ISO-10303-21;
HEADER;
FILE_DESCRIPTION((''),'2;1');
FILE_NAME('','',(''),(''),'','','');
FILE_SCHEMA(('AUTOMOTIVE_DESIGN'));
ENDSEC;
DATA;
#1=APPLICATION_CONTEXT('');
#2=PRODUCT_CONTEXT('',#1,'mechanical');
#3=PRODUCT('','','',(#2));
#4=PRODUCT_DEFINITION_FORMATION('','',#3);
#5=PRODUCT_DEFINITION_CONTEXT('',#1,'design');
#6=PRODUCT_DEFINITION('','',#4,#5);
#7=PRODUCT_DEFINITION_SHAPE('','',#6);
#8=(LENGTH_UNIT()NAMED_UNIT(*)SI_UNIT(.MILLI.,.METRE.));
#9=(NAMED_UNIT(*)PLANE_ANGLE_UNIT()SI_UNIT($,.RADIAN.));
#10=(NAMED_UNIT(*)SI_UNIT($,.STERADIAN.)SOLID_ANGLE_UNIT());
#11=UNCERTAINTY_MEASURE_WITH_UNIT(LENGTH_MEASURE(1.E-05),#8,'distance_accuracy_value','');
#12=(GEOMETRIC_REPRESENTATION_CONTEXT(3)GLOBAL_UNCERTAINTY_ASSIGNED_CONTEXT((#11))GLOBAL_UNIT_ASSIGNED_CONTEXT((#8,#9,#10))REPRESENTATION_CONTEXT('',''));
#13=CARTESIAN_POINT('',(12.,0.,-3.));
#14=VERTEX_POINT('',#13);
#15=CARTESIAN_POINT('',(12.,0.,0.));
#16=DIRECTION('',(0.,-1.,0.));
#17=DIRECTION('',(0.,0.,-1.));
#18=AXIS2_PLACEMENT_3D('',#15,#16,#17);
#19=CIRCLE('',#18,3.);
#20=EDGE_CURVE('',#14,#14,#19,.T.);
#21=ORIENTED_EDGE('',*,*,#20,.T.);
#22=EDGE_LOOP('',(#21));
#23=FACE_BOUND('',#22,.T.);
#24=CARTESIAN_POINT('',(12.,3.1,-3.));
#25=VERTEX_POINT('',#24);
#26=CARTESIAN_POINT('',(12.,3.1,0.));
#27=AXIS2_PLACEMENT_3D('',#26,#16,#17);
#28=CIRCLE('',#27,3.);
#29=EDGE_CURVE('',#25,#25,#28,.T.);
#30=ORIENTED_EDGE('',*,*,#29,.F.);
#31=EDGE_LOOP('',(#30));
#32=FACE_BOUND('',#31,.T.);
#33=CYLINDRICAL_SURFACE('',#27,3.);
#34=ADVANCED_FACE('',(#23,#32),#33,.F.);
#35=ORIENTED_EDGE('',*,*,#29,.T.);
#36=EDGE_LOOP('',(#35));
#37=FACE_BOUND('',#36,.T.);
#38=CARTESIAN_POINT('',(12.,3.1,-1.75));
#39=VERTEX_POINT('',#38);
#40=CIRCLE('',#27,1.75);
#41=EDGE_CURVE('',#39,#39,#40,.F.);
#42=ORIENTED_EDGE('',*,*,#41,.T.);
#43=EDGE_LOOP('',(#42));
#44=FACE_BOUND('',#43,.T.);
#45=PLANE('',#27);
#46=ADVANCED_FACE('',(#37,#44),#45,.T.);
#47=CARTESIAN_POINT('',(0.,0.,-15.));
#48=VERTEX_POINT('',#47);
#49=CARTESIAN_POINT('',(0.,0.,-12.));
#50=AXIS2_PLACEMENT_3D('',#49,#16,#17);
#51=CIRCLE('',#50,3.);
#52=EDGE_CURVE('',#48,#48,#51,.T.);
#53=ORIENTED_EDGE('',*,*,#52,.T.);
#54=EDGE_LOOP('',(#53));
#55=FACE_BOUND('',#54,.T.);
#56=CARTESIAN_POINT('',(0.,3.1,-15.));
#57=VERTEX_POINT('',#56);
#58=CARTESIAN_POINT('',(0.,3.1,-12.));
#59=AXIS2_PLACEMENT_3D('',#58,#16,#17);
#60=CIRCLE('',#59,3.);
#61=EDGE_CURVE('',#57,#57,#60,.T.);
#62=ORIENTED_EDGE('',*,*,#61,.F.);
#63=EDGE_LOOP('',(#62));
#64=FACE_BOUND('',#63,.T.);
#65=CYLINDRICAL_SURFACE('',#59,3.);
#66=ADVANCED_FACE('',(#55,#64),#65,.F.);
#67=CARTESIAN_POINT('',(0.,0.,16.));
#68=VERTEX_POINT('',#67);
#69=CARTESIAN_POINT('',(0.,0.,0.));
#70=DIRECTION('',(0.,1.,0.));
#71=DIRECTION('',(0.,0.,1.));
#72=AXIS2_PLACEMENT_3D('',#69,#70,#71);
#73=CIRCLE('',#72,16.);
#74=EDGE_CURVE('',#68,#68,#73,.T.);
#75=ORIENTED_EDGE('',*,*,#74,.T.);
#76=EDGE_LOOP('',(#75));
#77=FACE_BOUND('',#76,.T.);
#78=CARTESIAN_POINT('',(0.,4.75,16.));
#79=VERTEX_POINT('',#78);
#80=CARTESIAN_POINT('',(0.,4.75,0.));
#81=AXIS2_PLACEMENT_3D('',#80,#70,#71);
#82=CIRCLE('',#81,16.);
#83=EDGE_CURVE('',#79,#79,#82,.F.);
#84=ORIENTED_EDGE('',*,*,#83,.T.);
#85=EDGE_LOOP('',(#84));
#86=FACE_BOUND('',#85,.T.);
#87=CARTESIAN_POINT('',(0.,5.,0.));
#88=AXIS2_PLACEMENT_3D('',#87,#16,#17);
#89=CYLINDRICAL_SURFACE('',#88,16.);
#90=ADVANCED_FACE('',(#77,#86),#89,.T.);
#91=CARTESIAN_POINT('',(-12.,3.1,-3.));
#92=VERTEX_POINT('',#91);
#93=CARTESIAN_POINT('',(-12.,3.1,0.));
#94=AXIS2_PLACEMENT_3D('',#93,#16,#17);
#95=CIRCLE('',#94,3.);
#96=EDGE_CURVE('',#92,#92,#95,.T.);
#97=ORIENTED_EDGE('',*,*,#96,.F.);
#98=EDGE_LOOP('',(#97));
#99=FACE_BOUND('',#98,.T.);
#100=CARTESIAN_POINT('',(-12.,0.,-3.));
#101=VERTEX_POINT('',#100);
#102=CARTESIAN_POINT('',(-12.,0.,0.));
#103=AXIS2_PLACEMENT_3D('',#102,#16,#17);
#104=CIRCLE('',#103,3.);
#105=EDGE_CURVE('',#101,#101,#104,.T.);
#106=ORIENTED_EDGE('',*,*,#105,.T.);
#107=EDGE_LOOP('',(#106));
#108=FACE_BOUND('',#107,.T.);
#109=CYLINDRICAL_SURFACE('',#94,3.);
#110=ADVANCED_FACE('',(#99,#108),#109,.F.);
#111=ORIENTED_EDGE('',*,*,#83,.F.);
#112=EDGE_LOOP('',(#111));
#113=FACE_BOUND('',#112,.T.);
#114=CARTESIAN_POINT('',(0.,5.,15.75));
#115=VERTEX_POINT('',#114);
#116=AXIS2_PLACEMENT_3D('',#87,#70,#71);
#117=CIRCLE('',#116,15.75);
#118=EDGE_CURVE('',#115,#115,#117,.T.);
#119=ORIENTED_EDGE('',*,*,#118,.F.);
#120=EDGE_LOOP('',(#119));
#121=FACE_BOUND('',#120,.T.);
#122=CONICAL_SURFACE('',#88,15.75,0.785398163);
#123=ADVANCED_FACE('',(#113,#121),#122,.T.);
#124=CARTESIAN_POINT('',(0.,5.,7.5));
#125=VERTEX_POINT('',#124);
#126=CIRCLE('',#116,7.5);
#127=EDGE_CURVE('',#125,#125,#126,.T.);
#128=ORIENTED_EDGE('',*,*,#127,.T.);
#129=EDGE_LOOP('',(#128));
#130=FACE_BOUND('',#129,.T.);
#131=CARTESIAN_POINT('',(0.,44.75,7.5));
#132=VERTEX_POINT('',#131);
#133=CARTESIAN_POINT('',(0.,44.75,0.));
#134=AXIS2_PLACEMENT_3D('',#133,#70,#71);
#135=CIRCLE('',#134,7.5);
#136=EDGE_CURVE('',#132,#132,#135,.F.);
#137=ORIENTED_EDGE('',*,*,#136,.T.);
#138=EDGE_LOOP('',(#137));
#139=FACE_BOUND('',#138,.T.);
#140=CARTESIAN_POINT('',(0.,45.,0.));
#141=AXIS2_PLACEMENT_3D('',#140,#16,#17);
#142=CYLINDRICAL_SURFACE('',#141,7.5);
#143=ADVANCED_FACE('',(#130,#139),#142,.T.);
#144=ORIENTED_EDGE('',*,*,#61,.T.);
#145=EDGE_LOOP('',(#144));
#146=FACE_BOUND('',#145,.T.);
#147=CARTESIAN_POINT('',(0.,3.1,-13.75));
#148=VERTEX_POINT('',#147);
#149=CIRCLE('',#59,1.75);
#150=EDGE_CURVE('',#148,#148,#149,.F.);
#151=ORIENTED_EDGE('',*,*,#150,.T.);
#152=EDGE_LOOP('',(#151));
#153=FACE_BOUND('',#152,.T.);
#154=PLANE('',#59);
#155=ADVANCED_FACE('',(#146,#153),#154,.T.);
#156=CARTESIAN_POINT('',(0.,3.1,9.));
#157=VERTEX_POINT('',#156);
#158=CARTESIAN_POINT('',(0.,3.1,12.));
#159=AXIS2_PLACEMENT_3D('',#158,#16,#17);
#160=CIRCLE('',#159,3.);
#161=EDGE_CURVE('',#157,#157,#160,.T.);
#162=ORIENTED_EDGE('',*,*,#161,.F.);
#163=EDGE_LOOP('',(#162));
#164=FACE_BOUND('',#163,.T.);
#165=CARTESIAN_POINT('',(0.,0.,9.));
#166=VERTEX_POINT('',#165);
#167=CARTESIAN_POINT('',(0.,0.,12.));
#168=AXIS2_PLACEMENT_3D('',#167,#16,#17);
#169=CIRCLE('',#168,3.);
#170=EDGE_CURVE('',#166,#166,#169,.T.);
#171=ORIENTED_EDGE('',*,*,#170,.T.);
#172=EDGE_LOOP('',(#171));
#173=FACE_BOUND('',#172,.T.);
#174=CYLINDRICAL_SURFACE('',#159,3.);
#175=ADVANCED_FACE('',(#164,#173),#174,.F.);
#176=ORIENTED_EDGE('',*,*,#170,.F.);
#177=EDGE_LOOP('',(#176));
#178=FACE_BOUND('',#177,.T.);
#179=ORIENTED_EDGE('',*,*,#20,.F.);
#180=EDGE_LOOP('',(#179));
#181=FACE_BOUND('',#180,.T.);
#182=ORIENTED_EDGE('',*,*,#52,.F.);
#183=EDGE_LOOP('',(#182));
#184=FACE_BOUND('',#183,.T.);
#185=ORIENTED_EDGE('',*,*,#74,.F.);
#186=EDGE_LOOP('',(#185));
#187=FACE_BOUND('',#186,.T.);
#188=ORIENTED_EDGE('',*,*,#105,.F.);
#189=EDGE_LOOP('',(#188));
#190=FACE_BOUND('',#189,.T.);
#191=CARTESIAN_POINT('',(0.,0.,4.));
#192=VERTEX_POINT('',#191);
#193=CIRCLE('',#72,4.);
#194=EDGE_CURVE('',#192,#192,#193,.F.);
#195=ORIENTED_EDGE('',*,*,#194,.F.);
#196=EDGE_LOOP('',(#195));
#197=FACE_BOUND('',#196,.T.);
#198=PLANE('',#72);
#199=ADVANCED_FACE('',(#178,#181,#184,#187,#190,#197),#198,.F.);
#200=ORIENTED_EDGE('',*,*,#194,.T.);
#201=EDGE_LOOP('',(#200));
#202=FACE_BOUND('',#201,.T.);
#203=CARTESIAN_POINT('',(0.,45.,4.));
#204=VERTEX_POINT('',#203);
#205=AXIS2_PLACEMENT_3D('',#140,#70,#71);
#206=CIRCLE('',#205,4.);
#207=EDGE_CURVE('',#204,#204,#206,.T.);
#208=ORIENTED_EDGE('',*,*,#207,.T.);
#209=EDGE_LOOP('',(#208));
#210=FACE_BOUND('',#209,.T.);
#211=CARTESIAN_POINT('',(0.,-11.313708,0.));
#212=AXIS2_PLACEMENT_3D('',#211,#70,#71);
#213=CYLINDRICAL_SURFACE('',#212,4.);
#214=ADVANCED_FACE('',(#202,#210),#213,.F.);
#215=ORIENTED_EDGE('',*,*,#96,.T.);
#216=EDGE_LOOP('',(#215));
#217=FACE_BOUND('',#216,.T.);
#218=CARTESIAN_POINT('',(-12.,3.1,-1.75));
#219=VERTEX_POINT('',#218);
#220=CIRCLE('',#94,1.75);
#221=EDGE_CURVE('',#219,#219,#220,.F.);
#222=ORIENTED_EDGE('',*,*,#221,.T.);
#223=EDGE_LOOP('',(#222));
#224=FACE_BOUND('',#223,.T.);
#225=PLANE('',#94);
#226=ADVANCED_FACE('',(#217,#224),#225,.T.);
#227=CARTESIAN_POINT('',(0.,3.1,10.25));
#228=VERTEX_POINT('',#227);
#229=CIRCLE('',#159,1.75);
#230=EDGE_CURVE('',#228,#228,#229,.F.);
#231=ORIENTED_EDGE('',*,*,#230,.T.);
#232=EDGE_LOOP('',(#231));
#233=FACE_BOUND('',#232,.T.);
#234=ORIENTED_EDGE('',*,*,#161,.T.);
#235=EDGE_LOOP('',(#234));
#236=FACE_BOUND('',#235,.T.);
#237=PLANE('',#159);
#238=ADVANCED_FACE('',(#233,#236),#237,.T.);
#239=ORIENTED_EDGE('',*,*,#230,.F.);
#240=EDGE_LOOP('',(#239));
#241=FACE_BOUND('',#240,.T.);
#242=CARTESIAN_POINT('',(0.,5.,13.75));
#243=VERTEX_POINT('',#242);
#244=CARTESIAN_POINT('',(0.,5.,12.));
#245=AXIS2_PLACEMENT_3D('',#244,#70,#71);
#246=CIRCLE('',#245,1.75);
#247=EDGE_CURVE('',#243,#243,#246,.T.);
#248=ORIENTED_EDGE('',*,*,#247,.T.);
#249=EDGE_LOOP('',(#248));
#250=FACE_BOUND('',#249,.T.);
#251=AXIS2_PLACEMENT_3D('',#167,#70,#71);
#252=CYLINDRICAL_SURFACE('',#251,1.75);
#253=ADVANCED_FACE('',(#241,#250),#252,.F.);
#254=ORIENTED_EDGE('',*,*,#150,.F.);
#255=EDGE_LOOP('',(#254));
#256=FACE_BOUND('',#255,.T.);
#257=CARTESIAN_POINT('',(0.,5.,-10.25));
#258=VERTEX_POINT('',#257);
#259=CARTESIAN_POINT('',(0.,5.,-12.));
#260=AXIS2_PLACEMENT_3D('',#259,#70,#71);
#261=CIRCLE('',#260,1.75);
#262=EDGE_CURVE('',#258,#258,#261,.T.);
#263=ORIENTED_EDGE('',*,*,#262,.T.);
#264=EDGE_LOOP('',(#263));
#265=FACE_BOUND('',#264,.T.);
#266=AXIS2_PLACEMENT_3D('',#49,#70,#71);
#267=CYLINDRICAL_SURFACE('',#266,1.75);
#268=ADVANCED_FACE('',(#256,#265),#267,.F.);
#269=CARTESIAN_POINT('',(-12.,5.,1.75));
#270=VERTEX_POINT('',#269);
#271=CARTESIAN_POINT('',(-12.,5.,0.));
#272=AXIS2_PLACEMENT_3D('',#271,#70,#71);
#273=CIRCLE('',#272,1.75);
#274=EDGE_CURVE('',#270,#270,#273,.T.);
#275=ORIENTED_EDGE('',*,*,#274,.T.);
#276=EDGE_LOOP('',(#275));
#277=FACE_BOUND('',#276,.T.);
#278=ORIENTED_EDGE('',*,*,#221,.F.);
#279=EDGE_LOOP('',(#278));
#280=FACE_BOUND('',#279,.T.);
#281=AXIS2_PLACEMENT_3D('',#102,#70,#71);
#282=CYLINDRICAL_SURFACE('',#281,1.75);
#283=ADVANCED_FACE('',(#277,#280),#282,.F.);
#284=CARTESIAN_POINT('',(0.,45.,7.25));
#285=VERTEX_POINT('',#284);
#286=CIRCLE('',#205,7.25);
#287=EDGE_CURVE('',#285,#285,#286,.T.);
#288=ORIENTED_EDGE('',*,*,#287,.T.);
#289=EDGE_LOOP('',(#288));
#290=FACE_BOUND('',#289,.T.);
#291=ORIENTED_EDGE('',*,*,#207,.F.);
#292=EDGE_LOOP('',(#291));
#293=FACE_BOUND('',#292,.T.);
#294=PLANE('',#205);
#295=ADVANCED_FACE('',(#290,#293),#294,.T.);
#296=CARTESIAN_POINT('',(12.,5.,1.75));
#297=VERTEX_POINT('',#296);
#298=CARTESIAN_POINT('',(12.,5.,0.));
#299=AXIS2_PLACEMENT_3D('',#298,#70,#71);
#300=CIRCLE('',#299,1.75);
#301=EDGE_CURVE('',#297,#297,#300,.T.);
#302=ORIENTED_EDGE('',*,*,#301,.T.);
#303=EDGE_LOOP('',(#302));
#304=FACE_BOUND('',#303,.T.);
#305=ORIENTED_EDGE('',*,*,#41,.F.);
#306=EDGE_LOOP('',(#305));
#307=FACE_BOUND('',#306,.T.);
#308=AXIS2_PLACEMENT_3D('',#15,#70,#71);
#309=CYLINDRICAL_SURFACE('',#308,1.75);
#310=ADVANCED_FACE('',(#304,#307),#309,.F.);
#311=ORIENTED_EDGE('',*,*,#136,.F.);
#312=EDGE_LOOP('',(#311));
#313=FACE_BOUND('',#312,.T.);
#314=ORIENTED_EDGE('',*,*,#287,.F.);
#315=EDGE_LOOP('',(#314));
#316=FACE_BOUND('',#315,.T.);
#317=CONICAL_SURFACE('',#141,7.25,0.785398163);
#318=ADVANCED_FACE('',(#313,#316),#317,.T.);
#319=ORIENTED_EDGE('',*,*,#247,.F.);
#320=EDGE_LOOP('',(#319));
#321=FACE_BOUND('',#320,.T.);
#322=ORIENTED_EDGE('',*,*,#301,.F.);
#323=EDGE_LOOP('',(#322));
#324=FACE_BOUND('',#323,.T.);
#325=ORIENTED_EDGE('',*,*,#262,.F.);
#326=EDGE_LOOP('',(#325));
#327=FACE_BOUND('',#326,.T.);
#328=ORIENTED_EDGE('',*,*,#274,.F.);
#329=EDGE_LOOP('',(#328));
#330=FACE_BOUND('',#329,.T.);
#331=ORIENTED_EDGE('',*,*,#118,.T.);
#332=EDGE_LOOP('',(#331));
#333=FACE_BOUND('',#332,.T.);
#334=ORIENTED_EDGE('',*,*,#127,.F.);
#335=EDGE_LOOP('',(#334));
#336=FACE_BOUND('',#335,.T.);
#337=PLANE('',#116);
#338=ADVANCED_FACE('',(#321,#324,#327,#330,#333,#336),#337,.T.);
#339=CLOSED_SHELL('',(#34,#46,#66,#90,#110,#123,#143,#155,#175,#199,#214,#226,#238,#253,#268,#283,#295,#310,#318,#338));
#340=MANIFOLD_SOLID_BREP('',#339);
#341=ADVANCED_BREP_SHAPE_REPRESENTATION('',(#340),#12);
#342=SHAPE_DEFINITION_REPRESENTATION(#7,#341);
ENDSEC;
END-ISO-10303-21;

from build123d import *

# Parameters (mm, degrees)
SKETCH1_R           = 16
BOSS_EXTRUDE3_DEPTH = 5
SKETCH4_R           = 7.5
BOSS_EXTRUDE4_DEPTH = 40
SKETCH5_R           = 1.75
CUT_EXTRUDE2_DEPTH  = 5
SKETCH6_R           = 4
CUT_EXTRUDE3_DEPTH  = 45
SKETCH7_R           = 3
CUT_EXTRUDE4_DEPTH  = 3.1
CHAMFER1_SIZE       = 0.25


with BuildPart() as part:
    # Sketch1 → Boss-Extrude3 (new body)
    with BuildSketch(Plane(origin=(0, 0, 0), x_dir=(1, 0, 0), z_dir=(0, 1, 0))):
        Circle(SKETCH1_R)
    extrude(amount=BOSS_EXTRUDE3_DEPTH)

    # Sketch4 → Boss-Extrude4 (add)
    with BuildSketch(Plane(origin=(0, 5, 0), x_dir=(1, 0, 0), z_dir=(0, 1, 0))):
        Circle(SKETCH4_R)
    extrude(amount=BOSS_EXTRUDE4_DEPTH)

    # Sketch5 → Cut-Extrude2 (cut)
    with BuildSketch(Plane(origin=(0, 5, 0), x_dir=(1, 0, 0), z_dir=(0, 1, 0))):
        with Locations((0, 12)):
            Circle(SKETCH5_R)
        with Locations((-12, 0)):
            Circle(SKETCH5_R)
        with Locations((12, 0)):
            Circle(SKETCH5_R)
        with Locations((0, -12)):
            Circle(SKETCH5_R)
    extrude(amount=-CUT_EXTRUDE2_DEPTH, mode=Mode.SUBTRACT)

    # Sketch6 → Cut-Extrude3 (cut)
    with BuildSketch(Plane(origin=(0, 45, 0), x_dir=(1, 0, 0), z_dir=(0, 1, 0))):
        Circle(SKETCH6_R)
    extrude(amount=-CUT_EXTRUDE3_DEPTH, mode=Mode.SUBTRACT)

    # Sketch7 → Cut-Extrude4 (cut)
    with BuildSketch(Plane.XZ):
        with Locations((0, 12)):
            Circle(SKETCH7_R)
        with Locations((-12, 0)):
            Circle(SKETCH7_R)
        with Locations((0, -12)):
            Circle(SKETCH7_R)
        with Locations((12, 0)):
            Circle(SKETCH7_R)
    extrude(amount=-CUT_EXTRUDE4_DEPTH, mode=Mode.SUBTRACT)

    # Chamfer1
    chamfer1_edges = [part.edges().sort_by_distance(p)[0] for p in [
        (-16, 5, 0),
        (-7.5, 45, 0),
    ]]
    chamfer(chamfer1_edges, length=CHAMFER1_SIZE)


solid = part.part
